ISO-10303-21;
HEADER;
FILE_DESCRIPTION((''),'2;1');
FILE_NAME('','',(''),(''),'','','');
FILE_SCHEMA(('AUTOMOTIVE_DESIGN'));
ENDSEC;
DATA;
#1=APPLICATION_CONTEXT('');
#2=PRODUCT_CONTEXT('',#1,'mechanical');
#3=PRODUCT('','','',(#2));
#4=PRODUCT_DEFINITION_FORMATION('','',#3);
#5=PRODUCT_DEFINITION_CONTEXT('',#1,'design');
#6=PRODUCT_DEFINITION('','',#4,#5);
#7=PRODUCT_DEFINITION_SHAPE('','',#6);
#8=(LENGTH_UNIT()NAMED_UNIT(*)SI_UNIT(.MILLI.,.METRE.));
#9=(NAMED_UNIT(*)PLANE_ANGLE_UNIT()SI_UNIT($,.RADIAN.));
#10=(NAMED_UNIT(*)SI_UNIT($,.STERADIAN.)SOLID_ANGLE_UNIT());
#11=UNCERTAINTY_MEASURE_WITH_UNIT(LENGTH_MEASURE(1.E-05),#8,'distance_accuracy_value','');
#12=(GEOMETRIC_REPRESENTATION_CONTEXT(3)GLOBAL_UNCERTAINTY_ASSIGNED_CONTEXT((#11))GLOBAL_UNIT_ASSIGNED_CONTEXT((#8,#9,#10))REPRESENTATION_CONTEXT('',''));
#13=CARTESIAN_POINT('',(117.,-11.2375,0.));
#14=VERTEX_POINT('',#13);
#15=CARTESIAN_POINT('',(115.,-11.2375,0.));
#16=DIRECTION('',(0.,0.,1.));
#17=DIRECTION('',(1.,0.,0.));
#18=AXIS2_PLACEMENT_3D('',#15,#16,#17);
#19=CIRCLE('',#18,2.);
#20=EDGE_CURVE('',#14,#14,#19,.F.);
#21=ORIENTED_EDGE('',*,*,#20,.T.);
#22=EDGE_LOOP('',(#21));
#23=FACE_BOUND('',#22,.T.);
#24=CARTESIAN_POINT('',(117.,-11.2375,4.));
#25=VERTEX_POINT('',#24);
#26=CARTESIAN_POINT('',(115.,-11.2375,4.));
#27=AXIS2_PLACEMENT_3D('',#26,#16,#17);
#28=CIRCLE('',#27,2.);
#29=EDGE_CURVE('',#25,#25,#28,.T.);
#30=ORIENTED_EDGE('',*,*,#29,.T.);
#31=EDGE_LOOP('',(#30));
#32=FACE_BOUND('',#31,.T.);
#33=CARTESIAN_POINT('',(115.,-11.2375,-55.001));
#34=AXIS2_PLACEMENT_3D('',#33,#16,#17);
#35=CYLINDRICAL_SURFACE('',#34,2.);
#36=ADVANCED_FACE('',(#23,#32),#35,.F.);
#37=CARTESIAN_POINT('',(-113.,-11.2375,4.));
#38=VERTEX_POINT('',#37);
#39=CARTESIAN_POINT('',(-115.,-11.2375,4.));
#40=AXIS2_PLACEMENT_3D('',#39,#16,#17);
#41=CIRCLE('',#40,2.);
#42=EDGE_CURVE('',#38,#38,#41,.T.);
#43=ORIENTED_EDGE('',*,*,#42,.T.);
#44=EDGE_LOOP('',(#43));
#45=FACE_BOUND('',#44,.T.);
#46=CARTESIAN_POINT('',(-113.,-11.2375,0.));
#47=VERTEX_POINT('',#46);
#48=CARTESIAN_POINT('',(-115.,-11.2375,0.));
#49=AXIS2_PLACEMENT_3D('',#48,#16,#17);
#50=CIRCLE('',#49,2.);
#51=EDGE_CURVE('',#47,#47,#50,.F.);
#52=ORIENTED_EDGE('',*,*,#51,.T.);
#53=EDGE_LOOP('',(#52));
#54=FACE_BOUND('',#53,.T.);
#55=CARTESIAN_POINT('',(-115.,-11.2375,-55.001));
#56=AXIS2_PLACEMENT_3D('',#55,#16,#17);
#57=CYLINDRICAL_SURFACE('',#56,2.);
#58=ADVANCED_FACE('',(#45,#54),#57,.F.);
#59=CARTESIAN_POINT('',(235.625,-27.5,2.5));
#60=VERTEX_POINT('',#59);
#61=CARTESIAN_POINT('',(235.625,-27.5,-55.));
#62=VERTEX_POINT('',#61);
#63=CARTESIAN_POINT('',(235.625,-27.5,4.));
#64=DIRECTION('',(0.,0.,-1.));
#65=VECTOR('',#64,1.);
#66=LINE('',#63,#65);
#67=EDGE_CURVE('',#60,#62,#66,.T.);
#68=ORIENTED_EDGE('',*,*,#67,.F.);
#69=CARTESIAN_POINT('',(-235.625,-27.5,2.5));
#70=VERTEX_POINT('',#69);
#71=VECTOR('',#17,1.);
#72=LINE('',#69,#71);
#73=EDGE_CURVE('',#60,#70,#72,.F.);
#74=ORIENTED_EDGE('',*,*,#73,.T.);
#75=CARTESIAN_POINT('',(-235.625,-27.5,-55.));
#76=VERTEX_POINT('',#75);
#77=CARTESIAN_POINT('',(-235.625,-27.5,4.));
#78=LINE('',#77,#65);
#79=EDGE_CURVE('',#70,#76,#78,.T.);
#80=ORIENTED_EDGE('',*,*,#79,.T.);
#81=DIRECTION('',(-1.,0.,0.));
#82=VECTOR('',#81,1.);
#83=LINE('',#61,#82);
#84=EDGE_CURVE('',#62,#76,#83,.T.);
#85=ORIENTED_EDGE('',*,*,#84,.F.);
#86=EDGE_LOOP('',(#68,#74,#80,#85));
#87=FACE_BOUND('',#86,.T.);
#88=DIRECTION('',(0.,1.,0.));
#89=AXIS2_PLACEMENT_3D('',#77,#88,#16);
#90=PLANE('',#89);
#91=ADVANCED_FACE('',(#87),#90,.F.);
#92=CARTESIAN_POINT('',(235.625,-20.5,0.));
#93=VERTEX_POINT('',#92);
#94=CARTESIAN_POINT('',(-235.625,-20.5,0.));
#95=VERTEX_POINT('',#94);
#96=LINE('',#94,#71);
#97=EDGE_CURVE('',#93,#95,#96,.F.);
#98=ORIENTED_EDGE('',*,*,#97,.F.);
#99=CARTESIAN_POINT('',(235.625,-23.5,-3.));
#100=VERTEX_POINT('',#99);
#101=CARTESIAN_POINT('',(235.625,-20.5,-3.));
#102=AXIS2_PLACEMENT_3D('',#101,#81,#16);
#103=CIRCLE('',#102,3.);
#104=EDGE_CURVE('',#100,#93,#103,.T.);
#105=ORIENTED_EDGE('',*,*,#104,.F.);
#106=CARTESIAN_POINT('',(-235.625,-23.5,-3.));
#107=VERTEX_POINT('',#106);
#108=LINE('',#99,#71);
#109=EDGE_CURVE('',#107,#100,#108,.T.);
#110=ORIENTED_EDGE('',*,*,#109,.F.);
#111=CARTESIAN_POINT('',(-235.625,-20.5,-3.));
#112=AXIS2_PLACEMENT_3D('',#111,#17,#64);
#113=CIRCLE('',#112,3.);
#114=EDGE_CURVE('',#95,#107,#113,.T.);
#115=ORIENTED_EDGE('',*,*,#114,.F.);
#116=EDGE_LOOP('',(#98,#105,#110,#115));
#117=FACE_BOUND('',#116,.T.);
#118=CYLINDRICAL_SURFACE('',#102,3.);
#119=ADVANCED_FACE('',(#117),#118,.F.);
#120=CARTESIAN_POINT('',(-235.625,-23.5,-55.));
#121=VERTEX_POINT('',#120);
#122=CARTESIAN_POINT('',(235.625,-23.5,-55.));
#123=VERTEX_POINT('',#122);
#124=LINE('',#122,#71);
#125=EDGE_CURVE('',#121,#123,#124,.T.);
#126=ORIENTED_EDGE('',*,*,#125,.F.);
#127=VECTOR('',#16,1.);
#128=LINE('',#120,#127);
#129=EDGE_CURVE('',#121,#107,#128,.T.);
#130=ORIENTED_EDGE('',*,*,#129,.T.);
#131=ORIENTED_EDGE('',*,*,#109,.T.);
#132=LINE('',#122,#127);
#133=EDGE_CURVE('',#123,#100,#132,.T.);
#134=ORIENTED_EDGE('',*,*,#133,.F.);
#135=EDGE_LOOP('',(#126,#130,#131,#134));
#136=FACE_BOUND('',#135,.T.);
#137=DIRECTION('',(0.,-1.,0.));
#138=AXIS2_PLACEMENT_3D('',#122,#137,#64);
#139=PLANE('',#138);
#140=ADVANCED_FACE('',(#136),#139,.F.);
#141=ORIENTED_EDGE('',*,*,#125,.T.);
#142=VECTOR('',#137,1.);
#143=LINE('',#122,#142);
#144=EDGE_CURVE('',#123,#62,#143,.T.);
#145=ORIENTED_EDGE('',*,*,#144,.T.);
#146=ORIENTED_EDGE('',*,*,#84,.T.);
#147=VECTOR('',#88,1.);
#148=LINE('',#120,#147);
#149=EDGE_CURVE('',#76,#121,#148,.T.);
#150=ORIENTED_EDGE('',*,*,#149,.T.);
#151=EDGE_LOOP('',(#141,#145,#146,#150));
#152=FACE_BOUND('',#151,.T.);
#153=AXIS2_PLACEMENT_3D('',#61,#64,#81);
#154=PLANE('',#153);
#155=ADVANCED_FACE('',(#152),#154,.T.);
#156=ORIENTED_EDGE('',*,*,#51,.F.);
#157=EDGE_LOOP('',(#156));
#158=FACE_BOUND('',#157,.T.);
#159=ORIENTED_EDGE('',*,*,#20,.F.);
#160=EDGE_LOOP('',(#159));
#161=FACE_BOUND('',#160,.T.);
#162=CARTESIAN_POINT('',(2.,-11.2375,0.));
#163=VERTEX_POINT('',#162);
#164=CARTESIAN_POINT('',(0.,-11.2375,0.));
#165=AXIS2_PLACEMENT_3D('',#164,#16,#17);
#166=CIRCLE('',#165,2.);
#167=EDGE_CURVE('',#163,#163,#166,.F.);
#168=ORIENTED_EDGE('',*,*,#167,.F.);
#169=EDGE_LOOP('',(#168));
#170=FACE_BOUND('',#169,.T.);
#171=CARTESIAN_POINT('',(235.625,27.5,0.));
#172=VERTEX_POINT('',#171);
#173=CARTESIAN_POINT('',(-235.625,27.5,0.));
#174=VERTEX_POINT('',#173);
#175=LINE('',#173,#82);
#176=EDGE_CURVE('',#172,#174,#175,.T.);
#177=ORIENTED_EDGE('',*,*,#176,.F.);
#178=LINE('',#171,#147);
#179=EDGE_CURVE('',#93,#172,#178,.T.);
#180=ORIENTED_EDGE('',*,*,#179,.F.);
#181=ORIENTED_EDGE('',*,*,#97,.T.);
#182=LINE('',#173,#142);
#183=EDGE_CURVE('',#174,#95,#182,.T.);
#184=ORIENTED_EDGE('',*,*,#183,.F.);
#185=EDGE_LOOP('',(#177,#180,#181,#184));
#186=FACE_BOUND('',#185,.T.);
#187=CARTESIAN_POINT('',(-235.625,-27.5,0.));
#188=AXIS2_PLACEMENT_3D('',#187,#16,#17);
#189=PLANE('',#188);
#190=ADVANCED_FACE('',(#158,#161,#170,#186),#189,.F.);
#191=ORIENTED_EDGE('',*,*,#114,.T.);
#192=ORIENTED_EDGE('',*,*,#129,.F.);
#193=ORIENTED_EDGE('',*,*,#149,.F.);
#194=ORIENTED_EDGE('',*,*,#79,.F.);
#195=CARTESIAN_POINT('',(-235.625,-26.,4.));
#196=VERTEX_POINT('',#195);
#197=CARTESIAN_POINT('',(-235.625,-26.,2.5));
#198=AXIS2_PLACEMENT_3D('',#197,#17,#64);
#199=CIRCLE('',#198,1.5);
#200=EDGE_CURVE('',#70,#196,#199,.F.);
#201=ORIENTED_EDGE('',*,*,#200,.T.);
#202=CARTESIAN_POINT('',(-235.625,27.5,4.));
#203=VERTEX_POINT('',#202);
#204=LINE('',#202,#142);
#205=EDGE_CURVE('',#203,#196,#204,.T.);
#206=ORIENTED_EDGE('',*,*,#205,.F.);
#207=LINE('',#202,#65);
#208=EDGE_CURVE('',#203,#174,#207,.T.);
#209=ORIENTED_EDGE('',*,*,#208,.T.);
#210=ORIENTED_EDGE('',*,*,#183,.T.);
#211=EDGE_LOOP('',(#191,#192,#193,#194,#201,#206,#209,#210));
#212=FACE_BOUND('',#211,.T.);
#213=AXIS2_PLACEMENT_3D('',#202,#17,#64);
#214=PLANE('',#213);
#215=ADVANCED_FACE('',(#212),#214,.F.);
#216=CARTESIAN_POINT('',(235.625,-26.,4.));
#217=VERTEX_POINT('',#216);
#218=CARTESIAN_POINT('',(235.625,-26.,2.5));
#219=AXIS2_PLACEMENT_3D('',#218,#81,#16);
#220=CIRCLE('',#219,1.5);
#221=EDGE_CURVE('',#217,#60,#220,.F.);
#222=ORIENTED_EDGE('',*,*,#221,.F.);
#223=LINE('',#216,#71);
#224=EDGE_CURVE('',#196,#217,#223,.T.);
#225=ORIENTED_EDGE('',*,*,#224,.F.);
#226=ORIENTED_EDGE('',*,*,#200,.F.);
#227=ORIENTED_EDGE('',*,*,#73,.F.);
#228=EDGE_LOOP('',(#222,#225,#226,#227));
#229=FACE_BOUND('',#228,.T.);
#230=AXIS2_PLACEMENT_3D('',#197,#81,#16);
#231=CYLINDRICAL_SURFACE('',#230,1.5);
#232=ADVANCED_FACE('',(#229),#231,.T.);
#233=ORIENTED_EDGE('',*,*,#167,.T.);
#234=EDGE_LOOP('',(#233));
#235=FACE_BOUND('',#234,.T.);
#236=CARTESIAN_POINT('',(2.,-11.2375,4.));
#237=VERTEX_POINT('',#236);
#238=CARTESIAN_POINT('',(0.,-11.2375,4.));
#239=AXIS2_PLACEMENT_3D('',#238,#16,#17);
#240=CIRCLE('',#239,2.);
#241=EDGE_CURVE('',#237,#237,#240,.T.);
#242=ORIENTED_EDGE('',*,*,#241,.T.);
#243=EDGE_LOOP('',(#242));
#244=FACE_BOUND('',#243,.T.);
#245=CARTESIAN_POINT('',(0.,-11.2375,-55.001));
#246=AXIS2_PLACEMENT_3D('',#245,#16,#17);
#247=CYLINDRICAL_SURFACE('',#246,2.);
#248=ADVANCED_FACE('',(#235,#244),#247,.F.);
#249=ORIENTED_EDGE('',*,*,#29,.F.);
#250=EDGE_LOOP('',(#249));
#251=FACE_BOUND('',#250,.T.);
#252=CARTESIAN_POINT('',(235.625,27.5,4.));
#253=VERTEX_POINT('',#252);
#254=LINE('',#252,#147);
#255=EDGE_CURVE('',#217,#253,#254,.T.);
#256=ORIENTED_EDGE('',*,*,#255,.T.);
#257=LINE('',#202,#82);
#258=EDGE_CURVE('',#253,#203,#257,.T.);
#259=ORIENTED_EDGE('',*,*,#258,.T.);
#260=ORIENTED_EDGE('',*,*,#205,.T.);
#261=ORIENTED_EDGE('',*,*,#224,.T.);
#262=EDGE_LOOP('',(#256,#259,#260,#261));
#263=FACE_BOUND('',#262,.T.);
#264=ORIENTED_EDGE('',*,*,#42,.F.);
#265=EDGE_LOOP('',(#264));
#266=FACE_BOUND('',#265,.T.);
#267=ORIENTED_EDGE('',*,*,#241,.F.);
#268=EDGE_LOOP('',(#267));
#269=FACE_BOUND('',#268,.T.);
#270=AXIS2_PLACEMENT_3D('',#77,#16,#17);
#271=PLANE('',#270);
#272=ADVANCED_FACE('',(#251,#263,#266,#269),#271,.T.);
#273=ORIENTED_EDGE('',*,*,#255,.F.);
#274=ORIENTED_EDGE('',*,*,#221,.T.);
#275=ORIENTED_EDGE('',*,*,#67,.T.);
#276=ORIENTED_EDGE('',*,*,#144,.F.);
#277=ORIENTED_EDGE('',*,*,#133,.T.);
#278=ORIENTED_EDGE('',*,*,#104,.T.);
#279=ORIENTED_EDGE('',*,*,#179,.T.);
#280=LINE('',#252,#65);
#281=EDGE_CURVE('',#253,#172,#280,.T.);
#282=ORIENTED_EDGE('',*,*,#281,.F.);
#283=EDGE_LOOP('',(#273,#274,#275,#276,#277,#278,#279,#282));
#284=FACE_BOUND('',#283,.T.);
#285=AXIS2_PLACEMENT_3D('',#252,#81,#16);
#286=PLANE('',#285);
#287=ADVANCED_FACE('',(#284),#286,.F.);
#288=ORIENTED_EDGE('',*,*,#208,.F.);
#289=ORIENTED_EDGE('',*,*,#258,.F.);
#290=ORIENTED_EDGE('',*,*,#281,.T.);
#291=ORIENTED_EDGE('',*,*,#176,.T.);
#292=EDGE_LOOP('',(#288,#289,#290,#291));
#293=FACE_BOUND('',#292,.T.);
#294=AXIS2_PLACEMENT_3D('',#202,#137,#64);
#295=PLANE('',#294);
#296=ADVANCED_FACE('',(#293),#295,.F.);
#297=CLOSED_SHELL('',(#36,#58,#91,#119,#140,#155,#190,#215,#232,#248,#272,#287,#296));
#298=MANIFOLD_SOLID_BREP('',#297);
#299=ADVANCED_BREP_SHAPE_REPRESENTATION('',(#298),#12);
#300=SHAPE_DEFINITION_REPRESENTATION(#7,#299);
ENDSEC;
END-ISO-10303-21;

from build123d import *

# Parameters (mm, degrees)
CROQUIS1_W              = 471.25
CROQUIS1_H              = 55
SALIENTE_EXTRUIR1_DEPTH = 4
CROQUIS2_W              = 471.25
CROQUIS2_H              = 4
SALIENTE_EXTRUIR2_DEPTH = 55
REDONDEO1_R             = 3
REDONDEO2_R             = 1.5
CORTAR_EXTRUIR1_REACH   = 246.451
CROQUIS3_R              = 2


with BuildPart() as part:
    # Croquis1 → Saliente-Extruir1 (new body)
    with BuildSketch(Plane.XY):
        Rectangle(CROQUIS1_W, CROQUIS1_H)
    extrude(amount=SALIENTE_EXTRUIR1_DEPTH)

    # Croquis2 → Saliente-Extruir2 (add)
    with BuildSketch(Plane(origin=(0, 0, 0), x_dir=(-1, 0, 0), z_dir=(0, 0, -1))):
        with Locations((0, -25.5)):
            Rectangle(CROQUIS2_W, CROQUIS2_H)
    extrude(amount=SALIENTE_EXTRUIR2_DEPTH)

    # Redondeo1
    redondeo1_edges = [part.edges().sort_by_distance(p)[0] for p in [
        (0, -23.5, 0),
    ]]
    fillet(redondeo1_edges, radius=REDONDEO1_R)

    # Redondeo2
    redondeo2_edges = [part.edges().sort_by_distance(p)[0] for p in [
        (0, -27.5, 4),
    ]]
    fillet(redondeo2_edges, radius=REDONDEO2_R)

    # Croquis3 → Cortar-Extruir1 (cut, up to next)
    with BuildSketch(Plane.XY.offset(4), mode=Mode.PRIVATE) as cortar_extruir1_sk1:
        with Locations((-115, -11.2375)):
            Circle(CROQUIS3_R)
    cortar_extruir1_tool1 = extrude(cortar_extruir1_sk1.sketch, amount=-CORTAR_EXTRUIR1_REACH, mode=Mode.PRIVATE) & part.part
    # Croquis3 → Cortar-Extruir1 (cut, up to next)
    with BuildSketch(Plane.XY.offset(4), mode=Mode.PRIVATE) as cortar_extruir1_sk2:
        with Locations((0, -11.2375)):
            Circle(CROQUIS3_R)
    cortar_extruir1_tool2 = extrude(cortar_extruir1_sk2.sketch, amount=-CORTAR_EXTRUIR1_REACH, mode=Mode.PRIVATE) & part.part
    # Croquis3 → Cortar-Extruir1 (cut, up to next)
    with BuildSketch(Plane.XY.offset(4), mode=Mode.PRIVATE) as cortar_extruir1_sk3:
        with Locations((115, -11.2375)):
            Circle(CROQUIS3_R)
    cortar_extruir1_tool3 = extrude(cortar_extruir1_sk3.sketch, amount=-CORTAR_EXTRUIR1_REACH, mode=Mode.PRIVATE) & part.part
    add(cortar_extruir1_tool1.solids().sort_by_distance((-115, -11.2375, 4))[0], mode=Mode.SUBTRACT)
    add(cortar_extruir1_tool2.solids().sort_by_distance((0, -11.2375, 4))[0], mode=Mode.SUBTRACT)
    add(cortar_extruir1_tool3.solids().sort_by_distance((115, -11.2375, 4))[0], mode=Mode.SUBTRACT)


solid = part.part
